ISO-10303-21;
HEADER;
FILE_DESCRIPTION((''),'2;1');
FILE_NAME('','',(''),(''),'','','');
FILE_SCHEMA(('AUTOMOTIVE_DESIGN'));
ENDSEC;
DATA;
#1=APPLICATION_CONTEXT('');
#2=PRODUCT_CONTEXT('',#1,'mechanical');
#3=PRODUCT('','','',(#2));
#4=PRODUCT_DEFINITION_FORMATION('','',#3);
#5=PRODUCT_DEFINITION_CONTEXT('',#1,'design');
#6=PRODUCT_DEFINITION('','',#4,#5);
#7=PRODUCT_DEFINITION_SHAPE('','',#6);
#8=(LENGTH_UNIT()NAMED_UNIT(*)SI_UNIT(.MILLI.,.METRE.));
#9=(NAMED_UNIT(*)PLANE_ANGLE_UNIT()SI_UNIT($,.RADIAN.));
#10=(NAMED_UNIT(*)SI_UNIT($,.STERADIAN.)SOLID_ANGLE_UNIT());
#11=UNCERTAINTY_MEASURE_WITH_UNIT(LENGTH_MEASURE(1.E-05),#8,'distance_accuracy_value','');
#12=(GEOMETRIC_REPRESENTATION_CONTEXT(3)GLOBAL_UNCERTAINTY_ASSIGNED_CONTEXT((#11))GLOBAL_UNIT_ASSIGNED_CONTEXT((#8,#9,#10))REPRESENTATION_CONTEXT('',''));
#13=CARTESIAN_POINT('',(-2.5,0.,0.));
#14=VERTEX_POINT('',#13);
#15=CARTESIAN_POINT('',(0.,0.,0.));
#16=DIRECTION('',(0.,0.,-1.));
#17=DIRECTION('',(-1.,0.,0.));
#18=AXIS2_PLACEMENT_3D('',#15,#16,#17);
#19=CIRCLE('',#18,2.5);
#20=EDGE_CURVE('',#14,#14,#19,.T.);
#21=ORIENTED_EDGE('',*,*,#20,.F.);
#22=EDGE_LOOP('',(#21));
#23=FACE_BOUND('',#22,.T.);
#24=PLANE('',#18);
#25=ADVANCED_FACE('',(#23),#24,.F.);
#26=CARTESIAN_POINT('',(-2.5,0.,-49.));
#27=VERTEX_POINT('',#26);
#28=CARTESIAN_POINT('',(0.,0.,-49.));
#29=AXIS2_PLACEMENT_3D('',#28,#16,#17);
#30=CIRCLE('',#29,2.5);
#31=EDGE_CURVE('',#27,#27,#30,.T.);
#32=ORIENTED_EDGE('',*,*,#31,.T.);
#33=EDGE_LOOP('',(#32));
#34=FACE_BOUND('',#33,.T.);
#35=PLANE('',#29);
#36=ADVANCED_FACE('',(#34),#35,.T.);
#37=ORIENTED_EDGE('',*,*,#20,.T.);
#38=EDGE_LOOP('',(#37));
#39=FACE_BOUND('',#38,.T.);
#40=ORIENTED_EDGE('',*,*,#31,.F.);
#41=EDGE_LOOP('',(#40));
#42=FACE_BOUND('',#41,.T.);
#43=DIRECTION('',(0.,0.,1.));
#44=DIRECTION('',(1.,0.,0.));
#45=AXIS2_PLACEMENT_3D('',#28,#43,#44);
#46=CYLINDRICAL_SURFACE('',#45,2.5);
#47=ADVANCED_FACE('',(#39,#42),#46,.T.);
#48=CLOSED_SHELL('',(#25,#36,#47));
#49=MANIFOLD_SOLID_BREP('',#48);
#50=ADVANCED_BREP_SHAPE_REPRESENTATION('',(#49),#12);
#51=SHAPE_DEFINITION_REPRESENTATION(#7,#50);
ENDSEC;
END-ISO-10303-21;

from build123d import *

# Parameters (mm, degrees)
SKETCH1_R                                       = 2.5
F_7_10_SAE_1010_BARRA_REDONDA_TREFILADO_5_DEPTH = 49


with BuildPart() as part:
    # Sketch1 → 7.10 sae 1010 barra redonda trefilado 5 MM(1) (new body)
    with BuildSketch(Plane(origin=(0, 0, 0), x_dir=(-1, 0, 0), z_dir=(0, 0, -1))):
        Circle(SKETCH1_R)
    extrude(amount=F_7_10_SAE_1010_BARRA_REDONDA_TREFILADO_5_DEPTH)


solid = part.part
